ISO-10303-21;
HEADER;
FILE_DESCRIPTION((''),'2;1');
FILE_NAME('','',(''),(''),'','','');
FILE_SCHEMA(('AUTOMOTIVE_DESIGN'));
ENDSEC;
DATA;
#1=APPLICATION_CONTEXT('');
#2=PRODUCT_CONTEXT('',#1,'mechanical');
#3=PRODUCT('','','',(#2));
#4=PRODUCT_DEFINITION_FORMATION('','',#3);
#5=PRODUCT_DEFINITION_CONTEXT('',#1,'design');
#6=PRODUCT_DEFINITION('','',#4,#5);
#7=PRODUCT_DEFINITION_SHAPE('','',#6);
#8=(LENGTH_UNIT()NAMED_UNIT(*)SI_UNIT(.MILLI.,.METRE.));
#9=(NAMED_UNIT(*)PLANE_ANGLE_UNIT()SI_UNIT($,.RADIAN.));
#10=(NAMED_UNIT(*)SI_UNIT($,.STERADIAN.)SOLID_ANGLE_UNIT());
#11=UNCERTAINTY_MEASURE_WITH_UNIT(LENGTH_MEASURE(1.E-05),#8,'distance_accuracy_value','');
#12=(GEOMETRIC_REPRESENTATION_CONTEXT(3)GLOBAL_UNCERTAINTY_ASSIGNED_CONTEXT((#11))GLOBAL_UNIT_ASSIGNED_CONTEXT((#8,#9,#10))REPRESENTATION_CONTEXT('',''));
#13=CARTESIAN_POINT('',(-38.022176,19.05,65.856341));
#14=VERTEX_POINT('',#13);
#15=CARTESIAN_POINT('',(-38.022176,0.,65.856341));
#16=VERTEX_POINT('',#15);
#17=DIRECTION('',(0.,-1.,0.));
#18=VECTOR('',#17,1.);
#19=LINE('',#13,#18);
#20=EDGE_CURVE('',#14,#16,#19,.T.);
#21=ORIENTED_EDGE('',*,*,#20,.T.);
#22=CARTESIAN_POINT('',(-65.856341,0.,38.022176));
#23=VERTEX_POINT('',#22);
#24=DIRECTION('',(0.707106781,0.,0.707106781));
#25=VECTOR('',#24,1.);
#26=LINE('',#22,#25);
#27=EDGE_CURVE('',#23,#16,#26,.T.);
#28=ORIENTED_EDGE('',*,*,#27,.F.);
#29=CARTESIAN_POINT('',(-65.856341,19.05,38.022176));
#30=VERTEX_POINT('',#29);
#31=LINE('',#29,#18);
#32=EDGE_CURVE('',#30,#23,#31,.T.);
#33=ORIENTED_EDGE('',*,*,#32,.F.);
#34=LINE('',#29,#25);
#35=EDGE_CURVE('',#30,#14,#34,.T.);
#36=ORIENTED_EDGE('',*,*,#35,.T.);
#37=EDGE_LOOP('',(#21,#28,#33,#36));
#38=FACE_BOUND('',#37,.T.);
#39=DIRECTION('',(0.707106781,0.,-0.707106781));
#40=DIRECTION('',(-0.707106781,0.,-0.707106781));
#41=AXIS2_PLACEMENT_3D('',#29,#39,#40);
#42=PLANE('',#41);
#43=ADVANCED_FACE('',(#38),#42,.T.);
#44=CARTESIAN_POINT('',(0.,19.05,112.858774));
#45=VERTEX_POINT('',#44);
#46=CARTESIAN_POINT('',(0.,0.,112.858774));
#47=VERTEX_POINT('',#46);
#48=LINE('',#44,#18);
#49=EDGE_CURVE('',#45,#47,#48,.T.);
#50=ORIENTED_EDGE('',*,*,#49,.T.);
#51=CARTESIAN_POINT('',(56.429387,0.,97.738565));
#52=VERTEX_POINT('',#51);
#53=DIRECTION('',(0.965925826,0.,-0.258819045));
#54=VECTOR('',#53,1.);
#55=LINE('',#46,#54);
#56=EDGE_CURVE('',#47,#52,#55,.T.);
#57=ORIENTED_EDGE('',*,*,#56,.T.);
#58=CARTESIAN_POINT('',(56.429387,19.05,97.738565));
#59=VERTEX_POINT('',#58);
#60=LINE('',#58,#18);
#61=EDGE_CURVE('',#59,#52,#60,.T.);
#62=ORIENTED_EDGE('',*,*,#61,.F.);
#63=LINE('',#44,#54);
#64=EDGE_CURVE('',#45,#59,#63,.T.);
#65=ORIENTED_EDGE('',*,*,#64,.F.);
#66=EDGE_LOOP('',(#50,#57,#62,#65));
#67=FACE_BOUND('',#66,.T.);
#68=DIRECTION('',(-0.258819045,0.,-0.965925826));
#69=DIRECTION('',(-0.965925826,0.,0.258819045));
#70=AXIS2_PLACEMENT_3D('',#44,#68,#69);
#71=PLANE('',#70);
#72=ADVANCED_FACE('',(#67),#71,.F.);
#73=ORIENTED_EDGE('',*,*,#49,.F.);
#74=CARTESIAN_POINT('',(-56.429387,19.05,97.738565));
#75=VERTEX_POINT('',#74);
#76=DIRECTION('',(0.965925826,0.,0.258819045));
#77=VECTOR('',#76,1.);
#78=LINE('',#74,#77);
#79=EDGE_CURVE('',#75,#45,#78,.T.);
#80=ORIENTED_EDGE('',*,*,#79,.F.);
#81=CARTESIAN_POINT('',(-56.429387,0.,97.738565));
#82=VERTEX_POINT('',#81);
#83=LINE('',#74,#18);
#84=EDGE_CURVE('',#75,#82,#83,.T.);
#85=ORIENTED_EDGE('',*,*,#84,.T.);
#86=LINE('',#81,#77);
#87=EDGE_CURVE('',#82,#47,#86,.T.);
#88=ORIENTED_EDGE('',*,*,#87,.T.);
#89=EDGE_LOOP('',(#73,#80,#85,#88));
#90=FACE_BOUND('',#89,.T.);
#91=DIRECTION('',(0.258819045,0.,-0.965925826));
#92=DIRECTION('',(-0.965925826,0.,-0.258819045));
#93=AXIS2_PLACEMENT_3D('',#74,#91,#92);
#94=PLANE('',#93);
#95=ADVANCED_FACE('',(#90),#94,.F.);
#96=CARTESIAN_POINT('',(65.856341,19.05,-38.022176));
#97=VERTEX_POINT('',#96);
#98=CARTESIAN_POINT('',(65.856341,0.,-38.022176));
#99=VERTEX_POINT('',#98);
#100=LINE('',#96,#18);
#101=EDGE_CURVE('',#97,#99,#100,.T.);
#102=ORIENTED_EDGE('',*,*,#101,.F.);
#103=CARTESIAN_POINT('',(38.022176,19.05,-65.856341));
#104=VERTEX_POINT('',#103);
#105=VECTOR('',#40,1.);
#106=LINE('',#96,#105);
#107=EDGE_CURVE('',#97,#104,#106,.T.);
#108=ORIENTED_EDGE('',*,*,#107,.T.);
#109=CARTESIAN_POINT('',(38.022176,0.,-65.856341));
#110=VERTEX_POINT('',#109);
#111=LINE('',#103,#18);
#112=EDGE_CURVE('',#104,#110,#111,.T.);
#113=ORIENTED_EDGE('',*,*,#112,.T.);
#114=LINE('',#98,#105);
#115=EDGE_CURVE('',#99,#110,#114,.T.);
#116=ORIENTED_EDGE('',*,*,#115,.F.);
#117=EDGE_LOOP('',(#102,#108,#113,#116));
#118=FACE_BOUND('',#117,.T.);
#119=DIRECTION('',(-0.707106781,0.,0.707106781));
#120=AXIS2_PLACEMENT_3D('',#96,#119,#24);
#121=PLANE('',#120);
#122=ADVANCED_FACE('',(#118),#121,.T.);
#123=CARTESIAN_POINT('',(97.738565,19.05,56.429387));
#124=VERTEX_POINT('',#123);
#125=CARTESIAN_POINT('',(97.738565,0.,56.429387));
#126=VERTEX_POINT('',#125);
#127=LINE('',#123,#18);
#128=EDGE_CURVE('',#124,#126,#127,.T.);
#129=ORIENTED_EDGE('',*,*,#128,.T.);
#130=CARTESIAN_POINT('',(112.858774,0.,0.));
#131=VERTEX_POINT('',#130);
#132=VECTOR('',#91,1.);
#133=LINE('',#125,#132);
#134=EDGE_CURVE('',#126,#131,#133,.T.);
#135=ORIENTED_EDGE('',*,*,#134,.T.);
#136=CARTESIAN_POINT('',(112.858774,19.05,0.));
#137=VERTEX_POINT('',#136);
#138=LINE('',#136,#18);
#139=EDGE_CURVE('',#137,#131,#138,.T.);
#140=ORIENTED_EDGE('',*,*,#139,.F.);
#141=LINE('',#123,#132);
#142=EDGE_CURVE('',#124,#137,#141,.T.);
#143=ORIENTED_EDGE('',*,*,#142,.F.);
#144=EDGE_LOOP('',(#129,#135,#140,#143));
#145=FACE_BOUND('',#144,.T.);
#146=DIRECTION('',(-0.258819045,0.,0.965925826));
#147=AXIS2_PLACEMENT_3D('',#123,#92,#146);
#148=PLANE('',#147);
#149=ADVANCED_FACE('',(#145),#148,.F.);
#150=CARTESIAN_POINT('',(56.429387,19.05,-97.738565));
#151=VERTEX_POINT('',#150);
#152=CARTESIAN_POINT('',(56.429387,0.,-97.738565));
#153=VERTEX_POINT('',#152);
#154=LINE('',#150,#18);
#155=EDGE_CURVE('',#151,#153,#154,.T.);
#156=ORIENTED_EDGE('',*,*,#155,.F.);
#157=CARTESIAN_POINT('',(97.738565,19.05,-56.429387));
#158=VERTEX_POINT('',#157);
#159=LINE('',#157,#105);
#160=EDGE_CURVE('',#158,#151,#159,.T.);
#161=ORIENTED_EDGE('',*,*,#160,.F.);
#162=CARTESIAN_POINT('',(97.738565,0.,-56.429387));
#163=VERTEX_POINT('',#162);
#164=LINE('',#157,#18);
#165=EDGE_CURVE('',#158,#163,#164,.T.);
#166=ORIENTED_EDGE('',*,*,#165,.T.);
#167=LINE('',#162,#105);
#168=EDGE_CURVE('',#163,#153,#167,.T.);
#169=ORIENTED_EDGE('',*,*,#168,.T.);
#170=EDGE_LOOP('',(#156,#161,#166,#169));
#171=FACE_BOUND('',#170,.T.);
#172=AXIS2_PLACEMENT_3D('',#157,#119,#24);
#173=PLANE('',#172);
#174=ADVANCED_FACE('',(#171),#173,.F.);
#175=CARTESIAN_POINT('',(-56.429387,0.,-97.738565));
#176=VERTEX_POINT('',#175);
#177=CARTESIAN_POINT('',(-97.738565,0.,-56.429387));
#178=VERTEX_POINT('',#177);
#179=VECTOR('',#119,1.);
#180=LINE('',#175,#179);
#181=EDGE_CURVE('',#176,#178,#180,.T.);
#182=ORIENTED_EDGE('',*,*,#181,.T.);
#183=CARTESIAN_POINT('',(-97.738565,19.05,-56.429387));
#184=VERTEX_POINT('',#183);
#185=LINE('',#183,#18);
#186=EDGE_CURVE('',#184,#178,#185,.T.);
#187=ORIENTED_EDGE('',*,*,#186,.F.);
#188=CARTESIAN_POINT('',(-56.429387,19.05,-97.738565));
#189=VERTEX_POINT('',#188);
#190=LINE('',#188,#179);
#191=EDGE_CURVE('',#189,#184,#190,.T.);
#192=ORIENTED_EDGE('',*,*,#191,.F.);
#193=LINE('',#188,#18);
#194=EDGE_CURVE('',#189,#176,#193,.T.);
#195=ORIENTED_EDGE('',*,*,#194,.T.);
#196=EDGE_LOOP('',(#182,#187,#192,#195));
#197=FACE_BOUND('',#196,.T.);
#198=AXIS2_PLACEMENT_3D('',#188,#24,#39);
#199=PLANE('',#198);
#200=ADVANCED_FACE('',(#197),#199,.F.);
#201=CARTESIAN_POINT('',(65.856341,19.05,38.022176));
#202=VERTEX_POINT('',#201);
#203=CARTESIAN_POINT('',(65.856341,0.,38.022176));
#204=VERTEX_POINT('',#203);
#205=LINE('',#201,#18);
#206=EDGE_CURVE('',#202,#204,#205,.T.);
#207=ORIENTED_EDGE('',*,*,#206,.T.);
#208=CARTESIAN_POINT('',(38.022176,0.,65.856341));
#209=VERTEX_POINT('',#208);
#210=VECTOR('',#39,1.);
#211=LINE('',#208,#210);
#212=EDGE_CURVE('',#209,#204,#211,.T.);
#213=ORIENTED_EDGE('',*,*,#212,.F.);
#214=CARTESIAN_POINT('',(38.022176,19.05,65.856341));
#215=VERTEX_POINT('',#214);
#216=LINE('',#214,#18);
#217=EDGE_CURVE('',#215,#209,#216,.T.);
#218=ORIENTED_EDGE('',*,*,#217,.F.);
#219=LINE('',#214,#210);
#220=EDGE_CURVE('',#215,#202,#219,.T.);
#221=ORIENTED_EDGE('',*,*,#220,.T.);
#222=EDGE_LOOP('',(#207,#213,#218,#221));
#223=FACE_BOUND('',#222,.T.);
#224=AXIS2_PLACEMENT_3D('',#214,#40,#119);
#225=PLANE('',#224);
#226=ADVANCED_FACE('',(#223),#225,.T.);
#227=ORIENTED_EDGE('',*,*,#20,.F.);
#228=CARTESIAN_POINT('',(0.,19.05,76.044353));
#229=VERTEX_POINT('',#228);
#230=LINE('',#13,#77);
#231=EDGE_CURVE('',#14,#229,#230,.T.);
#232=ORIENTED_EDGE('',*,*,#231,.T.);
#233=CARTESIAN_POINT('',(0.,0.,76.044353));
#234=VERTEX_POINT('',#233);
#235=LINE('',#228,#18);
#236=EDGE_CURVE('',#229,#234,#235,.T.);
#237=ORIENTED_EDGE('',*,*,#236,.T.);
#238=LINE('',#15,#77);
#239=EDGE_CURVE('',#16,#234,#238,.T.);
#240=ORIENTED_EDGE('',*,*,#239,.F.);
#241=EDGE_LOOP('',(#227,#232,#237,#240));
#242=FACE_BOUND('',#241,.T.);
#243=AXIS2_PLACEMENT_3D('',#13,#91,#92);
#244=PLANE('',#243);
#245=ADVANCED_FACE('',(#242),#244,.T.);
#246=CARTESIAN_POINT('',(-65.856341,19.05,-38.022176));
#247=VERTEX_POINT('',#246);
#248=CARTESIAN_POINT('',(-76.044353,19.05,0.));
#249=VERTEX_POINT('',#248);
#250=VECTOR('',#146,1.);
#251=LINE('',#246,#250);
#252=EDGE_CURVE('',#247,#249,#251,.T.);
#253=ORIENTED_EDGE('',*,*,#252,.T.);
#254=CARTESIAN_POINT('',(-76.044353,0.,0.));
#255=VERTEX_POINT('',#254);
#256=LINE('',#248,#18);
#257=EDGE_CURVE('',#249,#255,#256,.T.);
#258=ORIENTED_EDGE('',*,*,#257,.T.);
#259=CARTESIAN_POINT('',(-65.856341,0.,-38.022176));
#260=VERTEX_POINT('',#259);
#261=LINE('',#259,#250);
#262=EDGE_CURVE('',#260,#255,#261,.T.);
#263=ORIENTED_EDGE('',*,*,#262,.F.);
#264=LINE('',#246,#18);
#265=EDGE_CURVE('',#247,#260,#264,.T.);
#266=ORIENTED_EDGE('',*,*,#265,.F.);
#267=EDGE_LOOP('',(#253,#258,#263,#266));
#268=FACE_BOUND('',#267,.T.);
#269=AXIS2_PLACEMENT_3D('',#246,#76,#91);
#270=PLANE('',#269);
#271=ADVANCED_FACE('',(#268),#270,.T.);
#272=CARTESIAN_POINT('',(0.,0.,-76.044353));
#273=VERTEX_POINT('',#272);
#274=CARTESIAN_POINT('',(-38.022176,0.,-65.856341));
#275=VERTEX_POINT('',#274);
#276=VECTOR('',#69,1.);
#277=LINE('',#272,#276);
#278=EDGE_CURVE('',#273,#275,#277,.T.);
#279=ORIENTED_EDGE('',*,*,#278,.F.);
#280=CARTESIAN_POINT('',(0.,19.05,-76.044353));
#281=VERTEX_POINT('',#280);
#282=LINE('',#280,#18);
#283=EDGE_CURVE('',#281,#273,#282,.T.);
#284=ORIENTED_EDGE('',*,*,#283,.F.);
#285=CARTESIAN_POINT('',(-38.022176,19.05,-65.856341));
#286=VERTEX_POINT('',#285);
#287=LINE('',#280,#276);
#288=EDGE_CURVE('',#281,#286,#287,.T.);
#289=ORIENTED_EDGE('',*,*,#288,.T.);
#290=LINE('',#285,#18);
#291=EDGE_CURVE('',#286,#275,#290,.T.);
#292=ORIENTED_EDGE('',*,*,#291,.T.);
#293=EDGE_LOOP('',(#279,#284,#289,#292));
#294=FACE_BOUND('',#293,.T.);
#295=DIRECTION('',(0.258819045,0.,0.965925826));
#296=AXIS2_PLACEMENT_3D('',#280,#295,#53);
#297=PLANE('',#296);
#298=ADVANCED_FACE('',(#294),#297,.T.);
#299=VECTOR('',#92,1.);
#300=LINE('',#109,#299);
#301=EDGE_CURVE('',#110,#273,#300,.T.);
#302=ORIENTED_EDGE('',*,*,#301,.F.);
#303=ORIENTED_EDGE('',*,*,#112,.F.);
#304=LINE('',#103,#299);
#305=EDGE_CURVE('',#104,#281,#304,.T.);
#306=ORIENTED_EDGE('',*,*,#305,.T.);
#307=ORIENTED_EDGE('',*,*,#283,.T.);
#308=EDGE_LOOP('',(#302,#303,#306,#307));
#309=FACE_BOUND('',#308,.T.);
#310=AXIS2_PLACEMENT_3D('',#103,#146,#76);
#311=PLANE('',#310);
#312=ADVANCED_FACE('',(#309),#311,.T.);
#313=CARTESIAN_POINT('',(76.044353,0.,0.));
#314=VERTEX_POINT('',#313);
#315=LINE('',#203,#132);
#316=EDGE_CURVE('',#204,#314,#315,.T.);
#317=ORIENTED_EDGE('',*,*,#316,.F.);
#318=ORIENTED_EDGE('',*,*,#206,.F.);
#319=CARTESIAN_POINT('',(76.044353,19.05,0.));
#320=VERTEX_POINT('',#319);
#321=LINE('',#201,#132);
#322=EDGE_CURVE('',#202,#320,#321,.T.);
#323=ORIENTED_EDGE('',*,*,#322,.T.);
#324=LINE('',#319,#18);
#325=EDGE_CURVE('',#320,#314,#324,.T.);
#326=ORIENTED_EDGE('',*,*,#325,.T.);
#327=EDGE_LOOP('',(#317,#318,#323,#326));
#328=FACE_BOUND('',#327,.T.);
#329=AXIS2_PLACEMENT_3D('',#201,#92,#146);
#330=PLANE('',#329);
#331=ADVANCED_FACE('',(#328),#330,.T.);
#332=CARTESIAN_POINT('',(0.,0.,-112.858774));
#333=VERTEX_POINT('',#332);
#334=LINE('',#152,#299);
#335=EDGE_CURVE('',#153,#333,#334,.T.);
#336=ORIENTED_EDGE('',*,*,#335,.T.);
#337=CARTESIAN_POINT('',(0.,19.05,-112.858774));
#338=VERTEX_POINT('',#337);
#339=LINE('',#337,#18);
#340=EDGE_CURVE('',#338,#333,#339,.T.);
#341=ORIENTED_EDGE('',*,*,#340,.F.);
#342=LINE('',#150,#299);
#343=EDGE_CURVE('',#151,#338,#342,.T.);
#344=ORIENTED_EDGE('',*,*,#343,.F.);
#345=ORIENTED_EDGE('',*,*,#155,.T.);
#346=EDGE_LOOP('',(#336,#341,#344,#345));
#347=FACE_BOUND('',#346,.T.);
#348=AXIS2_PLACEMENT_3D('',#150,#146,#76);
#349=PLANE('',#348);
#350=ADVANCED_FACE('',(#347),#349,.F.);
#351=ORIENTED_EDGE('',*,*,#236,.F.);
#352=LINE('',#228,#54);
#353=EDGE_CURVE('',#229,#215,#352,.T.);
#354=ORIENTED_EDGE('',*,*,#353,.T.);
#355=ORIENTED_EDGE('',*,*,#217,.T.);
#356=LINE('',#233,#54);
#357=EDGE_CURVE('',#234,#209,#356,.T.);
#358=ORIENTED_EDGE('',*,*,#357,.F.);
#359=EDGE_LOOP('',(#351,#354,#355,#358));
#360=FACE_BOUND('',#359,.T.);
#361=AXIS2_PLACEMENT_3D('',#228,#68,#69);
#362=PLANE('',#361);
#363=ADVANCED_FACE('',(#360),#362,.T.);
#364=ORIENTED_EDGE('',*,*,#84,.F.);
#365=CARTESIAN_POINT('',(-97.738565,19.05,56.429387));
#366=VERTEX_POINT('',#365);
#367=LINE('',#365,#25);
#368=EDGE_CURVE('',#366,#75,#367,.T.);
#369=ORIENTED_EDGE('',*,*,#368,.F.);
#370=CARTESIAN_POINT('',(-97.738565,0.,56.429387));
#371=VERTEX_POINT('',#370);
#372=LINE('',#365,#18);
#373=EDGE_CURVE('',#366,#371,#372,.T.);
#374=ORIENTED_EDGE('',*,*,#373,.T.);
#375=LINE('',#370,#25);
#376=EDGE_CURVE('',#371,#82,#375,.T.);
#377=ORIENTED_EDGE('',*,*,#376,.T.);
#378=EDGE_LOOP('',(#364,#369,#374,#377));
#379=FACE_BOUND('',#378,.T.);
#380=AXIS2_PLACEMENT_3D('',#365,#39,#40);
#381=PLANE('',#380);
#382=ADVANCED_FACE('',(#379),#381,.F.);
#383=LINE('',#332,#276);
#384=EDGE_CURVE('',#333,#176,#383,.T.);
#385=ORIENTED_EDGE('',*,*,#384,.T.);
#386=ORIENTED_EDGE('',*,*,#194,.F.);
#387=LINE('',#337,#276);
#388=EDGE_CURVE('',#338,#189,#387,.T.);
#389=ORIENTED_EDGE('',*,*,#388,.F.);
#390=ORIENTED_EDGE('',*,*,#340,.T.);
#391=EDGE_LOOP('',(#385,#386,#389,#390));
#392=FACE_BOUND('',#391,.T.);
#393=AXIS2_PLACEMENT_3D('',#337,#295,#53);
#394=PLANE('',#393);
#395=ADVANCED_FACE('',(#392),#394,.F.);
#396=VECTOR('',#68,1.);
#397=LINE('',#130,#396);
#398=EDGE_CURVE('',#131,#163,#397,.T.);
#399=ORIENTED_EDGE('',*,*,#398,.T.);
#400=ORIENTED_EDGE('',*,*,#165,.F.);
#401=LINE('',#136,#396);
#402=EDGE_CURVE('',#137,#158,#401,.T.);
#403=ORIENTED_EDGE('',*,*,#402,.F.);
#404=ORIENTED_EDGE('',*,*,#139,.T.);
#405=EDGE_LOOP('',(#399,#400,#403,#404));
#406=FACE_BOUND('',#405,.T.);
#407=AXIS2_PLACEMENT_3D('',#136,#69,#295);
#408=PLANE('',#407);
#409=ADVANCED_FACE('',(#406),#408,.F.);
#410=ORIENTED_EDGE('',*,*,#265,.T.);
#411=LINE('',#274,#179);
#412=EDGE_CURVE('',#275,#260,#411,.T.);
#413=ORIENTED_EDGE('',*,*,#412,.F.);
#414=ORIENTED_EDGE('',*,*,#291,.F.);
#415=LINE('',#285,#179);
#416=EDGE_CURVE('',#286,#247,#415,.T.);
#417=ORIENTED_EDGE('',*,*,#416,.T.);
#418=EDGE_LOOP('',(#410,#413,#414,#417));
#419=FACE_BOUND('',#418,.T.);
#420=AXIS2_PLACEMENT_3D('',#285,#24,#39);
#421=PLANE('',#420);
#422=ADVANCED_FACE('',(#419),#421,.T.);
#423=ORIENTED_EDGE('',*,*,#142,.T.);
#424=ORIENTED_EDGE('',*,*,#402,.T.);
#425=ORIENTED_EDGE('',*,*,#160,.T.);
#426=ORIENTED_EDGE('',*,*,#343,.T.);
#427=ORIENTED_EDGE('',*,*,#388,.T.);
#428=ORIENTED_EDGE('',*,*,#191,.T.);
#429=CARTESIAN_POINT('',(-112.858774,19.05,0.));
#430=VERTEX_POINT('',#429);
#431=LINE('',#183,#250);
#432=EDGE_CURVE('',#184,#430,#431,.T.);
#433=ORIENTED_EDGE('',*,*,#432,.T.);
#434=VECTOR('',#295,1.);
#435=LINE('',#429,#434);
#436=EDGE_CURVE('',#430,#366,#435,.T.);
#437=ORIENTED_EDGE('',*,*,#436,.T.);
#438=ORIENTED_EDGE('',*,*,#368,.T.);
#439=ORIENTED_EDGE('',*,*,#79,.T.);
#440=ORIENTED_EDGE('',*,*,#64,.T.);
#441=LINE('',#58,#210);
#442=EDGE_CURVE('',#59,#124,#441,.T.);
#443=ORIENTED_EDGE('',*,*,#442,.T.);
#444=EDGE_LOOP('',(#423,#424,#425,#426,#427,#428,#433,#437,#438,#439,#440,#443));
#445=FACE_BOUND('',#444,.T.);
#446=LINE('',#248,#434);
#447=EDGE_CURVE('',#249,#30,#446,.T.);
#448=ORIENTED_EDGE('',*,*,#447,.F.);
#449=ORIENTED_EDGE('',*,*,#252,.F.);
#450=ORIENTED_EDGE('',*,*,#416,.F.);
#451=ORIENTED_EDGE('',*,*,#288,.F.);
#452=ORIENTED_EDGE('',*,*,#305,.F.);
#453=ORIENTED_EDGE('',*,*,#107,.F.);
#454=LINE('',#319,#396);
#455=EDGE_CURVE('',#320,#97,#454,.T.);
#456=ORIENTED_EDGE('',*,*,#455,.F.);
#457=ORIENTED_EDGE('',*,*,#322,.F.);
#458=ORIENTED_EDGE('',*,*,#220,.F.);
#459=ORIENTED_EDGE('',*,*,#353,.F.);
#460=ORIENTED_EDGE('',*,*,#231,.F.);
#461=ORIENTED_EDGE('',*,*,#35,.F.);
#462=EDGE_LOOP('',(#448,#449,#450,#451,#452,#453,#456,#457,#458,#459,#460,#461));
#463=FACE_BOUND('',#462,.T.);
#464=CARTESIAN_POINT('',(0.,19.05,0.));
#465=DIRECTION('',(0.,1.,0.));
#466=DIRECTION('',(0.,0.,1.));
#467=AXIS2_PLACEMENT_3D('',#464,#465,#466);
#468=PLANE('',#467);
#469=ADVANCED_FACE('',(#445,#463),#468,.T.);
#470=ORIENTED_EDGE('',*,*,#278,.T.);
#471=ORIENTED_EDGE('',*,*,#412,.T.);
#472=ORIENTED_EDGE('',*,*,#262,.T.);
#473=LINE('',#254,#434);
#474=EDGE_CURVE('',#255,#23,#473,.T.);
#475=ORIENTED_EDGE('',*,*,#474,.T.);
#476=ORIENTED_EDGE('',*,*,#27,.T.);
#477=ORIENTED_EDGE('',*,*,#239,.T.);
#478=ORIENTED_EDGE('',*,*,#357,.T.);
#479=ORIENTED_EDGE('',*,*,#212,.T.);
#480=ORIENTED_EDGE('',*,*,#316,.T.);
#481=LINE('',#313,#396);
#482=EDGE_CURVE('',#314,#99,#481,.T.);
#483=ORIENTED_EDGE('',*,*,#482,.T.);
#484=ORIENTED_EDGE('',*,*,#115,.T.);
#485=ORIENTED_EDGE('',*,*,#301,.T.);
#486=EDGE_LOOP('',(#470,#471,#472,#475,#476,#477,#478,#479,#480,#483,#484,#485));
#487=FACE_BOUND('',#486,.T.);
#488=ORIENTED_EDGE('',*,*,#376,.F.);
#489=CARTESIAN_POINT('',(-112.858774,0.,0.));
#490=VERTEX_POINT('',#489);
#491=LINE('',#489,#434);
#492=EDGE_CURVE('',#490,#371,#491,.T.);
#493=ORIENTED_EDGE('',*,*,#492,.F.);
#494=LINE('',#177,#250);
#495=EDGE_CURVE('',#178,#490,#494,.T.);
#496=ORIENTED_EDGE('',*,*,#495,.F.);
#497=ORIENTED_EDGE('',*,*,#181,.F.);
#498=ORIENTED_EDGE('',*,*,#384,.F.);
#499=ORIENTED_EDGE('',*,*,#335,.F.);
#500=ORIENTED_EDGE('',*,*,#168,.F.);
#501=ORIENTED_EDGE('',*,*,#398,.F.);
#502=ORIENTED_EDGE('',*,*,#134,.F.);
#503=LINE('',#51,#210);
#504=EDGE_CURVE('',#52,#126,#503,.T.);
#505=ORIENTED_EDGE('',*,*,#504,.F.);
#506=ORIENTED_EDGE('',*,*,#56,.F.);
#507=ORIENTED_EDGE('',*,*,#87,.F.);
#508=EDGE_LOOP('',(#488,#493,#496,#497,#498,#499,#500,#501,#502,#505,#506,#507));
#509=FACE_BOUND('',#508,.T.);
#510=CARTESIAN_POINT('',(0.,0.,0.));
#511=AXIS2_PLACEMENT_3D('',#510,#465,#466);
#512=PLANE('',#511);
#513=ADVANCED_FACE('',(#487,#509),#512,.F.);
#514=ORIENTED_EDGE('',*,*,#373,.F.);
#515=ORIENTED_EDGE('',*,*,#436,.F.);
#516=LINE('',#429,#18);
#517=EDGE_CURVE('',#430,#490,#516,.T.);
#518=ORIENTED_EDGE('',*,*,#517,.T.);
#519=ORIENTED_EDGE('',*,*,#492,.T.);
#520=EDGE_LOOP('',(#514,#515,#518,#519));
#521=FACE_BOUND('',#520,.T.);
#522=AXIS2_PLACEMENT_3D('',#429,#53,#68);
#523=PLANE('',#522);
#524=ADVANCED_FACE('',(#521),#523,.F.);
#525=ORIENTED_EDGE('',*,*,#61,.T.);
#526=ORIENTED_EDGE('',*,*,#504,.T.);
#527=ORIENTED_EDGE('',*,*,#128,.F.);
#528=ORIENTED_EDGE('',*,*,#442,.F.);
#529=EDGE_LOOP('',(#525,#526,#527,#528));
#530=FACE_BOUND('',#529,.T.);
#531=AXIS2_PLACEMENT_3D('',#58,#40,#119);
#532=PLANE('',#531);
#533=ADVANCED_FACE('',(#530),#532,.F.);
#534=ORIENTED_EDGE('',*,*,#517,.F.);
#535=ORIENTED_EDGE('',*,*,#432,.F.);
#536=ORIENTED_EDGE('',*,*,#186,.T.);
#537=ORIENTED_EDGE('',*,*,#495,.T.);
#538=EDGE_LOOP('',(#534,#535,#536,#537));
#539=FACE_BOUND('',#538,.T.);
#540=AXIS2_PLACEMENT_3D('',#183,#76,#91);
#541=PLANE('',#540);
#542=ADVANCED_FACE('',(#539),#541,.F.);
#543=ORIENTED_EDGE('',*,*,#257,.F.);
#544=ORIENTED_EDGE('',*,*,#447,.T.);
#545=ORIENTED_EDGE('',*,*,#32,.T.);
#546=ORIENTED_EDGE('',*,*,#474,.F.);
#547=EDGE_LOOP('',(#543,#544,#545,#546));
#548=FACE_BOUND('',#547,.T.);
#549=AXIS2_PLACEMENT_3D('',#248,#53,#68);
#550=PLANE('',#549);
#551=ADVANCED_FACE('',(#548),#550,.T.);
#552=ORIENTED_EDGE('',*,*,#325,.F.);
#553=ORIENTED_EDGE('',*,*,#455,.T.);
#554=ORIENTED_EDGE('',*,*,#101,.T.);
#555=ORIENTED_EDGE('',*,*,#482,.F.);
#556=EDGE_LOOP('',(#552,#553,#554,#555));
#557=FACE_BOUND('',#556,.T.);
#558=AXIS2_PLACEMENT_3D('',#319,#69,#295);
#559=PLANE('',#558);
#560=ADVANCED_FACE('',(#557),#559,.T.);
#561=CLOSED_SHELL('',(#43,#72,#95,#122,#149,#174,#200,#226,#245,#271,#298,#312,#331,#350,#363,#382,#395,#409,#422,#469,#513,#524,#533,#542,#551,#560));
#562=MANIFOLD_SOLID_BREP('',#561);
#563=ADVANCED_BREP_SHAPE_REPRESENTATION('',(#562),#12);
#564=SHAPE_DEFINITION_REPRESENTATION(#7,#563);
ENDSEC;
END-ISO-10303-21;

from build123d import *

# Parameters (mm, degrees)
BOSS_EXTRUDE1_DEPTH = 19.05


with BuildPart() as part:
    # Sketch1 → Boss-Extrude1 (new body)
    with BuildSketch(Plane(origin=(0, 0, 0), x_dir=(1, 0, 0), z_dir=(0, 1, 0))):
        Polygon((112.858773544, 0), (97.738564929, 56.429386772), (56.429386772, 97.738564929), (0, 112.858773544), (-56.429386772, 97.738564929), (-97.738564929, 56.429386772), (-112.858773544, 0), (-97.738564929, -56.429386772), (-56.429386772, -97.738564929), (0, -112.858773544), (56.429386772, -97.738564929), (97.738564929, -56.429386772), align=None)
        Polygon((76.044352568, 0), (65.856341138, 38.022176284), (38.022176284, 65.856341138), (0, 76.044352568), (-38.022176284, 65.856341138), (-65.856341138, 38.022176284), (-76.044352568, 0), (-65.856341138, -38.022176284), (-38.022176284, -65.856341138), (0, -76.044352568), (38.022176284, -65.856341138), (65.856341138, -38.022176284), align=None, mode=Mode.SUBTRACT)
    extrude(amount=BOSS_EXTRUDE1_DEPTH)


solid = part.part
